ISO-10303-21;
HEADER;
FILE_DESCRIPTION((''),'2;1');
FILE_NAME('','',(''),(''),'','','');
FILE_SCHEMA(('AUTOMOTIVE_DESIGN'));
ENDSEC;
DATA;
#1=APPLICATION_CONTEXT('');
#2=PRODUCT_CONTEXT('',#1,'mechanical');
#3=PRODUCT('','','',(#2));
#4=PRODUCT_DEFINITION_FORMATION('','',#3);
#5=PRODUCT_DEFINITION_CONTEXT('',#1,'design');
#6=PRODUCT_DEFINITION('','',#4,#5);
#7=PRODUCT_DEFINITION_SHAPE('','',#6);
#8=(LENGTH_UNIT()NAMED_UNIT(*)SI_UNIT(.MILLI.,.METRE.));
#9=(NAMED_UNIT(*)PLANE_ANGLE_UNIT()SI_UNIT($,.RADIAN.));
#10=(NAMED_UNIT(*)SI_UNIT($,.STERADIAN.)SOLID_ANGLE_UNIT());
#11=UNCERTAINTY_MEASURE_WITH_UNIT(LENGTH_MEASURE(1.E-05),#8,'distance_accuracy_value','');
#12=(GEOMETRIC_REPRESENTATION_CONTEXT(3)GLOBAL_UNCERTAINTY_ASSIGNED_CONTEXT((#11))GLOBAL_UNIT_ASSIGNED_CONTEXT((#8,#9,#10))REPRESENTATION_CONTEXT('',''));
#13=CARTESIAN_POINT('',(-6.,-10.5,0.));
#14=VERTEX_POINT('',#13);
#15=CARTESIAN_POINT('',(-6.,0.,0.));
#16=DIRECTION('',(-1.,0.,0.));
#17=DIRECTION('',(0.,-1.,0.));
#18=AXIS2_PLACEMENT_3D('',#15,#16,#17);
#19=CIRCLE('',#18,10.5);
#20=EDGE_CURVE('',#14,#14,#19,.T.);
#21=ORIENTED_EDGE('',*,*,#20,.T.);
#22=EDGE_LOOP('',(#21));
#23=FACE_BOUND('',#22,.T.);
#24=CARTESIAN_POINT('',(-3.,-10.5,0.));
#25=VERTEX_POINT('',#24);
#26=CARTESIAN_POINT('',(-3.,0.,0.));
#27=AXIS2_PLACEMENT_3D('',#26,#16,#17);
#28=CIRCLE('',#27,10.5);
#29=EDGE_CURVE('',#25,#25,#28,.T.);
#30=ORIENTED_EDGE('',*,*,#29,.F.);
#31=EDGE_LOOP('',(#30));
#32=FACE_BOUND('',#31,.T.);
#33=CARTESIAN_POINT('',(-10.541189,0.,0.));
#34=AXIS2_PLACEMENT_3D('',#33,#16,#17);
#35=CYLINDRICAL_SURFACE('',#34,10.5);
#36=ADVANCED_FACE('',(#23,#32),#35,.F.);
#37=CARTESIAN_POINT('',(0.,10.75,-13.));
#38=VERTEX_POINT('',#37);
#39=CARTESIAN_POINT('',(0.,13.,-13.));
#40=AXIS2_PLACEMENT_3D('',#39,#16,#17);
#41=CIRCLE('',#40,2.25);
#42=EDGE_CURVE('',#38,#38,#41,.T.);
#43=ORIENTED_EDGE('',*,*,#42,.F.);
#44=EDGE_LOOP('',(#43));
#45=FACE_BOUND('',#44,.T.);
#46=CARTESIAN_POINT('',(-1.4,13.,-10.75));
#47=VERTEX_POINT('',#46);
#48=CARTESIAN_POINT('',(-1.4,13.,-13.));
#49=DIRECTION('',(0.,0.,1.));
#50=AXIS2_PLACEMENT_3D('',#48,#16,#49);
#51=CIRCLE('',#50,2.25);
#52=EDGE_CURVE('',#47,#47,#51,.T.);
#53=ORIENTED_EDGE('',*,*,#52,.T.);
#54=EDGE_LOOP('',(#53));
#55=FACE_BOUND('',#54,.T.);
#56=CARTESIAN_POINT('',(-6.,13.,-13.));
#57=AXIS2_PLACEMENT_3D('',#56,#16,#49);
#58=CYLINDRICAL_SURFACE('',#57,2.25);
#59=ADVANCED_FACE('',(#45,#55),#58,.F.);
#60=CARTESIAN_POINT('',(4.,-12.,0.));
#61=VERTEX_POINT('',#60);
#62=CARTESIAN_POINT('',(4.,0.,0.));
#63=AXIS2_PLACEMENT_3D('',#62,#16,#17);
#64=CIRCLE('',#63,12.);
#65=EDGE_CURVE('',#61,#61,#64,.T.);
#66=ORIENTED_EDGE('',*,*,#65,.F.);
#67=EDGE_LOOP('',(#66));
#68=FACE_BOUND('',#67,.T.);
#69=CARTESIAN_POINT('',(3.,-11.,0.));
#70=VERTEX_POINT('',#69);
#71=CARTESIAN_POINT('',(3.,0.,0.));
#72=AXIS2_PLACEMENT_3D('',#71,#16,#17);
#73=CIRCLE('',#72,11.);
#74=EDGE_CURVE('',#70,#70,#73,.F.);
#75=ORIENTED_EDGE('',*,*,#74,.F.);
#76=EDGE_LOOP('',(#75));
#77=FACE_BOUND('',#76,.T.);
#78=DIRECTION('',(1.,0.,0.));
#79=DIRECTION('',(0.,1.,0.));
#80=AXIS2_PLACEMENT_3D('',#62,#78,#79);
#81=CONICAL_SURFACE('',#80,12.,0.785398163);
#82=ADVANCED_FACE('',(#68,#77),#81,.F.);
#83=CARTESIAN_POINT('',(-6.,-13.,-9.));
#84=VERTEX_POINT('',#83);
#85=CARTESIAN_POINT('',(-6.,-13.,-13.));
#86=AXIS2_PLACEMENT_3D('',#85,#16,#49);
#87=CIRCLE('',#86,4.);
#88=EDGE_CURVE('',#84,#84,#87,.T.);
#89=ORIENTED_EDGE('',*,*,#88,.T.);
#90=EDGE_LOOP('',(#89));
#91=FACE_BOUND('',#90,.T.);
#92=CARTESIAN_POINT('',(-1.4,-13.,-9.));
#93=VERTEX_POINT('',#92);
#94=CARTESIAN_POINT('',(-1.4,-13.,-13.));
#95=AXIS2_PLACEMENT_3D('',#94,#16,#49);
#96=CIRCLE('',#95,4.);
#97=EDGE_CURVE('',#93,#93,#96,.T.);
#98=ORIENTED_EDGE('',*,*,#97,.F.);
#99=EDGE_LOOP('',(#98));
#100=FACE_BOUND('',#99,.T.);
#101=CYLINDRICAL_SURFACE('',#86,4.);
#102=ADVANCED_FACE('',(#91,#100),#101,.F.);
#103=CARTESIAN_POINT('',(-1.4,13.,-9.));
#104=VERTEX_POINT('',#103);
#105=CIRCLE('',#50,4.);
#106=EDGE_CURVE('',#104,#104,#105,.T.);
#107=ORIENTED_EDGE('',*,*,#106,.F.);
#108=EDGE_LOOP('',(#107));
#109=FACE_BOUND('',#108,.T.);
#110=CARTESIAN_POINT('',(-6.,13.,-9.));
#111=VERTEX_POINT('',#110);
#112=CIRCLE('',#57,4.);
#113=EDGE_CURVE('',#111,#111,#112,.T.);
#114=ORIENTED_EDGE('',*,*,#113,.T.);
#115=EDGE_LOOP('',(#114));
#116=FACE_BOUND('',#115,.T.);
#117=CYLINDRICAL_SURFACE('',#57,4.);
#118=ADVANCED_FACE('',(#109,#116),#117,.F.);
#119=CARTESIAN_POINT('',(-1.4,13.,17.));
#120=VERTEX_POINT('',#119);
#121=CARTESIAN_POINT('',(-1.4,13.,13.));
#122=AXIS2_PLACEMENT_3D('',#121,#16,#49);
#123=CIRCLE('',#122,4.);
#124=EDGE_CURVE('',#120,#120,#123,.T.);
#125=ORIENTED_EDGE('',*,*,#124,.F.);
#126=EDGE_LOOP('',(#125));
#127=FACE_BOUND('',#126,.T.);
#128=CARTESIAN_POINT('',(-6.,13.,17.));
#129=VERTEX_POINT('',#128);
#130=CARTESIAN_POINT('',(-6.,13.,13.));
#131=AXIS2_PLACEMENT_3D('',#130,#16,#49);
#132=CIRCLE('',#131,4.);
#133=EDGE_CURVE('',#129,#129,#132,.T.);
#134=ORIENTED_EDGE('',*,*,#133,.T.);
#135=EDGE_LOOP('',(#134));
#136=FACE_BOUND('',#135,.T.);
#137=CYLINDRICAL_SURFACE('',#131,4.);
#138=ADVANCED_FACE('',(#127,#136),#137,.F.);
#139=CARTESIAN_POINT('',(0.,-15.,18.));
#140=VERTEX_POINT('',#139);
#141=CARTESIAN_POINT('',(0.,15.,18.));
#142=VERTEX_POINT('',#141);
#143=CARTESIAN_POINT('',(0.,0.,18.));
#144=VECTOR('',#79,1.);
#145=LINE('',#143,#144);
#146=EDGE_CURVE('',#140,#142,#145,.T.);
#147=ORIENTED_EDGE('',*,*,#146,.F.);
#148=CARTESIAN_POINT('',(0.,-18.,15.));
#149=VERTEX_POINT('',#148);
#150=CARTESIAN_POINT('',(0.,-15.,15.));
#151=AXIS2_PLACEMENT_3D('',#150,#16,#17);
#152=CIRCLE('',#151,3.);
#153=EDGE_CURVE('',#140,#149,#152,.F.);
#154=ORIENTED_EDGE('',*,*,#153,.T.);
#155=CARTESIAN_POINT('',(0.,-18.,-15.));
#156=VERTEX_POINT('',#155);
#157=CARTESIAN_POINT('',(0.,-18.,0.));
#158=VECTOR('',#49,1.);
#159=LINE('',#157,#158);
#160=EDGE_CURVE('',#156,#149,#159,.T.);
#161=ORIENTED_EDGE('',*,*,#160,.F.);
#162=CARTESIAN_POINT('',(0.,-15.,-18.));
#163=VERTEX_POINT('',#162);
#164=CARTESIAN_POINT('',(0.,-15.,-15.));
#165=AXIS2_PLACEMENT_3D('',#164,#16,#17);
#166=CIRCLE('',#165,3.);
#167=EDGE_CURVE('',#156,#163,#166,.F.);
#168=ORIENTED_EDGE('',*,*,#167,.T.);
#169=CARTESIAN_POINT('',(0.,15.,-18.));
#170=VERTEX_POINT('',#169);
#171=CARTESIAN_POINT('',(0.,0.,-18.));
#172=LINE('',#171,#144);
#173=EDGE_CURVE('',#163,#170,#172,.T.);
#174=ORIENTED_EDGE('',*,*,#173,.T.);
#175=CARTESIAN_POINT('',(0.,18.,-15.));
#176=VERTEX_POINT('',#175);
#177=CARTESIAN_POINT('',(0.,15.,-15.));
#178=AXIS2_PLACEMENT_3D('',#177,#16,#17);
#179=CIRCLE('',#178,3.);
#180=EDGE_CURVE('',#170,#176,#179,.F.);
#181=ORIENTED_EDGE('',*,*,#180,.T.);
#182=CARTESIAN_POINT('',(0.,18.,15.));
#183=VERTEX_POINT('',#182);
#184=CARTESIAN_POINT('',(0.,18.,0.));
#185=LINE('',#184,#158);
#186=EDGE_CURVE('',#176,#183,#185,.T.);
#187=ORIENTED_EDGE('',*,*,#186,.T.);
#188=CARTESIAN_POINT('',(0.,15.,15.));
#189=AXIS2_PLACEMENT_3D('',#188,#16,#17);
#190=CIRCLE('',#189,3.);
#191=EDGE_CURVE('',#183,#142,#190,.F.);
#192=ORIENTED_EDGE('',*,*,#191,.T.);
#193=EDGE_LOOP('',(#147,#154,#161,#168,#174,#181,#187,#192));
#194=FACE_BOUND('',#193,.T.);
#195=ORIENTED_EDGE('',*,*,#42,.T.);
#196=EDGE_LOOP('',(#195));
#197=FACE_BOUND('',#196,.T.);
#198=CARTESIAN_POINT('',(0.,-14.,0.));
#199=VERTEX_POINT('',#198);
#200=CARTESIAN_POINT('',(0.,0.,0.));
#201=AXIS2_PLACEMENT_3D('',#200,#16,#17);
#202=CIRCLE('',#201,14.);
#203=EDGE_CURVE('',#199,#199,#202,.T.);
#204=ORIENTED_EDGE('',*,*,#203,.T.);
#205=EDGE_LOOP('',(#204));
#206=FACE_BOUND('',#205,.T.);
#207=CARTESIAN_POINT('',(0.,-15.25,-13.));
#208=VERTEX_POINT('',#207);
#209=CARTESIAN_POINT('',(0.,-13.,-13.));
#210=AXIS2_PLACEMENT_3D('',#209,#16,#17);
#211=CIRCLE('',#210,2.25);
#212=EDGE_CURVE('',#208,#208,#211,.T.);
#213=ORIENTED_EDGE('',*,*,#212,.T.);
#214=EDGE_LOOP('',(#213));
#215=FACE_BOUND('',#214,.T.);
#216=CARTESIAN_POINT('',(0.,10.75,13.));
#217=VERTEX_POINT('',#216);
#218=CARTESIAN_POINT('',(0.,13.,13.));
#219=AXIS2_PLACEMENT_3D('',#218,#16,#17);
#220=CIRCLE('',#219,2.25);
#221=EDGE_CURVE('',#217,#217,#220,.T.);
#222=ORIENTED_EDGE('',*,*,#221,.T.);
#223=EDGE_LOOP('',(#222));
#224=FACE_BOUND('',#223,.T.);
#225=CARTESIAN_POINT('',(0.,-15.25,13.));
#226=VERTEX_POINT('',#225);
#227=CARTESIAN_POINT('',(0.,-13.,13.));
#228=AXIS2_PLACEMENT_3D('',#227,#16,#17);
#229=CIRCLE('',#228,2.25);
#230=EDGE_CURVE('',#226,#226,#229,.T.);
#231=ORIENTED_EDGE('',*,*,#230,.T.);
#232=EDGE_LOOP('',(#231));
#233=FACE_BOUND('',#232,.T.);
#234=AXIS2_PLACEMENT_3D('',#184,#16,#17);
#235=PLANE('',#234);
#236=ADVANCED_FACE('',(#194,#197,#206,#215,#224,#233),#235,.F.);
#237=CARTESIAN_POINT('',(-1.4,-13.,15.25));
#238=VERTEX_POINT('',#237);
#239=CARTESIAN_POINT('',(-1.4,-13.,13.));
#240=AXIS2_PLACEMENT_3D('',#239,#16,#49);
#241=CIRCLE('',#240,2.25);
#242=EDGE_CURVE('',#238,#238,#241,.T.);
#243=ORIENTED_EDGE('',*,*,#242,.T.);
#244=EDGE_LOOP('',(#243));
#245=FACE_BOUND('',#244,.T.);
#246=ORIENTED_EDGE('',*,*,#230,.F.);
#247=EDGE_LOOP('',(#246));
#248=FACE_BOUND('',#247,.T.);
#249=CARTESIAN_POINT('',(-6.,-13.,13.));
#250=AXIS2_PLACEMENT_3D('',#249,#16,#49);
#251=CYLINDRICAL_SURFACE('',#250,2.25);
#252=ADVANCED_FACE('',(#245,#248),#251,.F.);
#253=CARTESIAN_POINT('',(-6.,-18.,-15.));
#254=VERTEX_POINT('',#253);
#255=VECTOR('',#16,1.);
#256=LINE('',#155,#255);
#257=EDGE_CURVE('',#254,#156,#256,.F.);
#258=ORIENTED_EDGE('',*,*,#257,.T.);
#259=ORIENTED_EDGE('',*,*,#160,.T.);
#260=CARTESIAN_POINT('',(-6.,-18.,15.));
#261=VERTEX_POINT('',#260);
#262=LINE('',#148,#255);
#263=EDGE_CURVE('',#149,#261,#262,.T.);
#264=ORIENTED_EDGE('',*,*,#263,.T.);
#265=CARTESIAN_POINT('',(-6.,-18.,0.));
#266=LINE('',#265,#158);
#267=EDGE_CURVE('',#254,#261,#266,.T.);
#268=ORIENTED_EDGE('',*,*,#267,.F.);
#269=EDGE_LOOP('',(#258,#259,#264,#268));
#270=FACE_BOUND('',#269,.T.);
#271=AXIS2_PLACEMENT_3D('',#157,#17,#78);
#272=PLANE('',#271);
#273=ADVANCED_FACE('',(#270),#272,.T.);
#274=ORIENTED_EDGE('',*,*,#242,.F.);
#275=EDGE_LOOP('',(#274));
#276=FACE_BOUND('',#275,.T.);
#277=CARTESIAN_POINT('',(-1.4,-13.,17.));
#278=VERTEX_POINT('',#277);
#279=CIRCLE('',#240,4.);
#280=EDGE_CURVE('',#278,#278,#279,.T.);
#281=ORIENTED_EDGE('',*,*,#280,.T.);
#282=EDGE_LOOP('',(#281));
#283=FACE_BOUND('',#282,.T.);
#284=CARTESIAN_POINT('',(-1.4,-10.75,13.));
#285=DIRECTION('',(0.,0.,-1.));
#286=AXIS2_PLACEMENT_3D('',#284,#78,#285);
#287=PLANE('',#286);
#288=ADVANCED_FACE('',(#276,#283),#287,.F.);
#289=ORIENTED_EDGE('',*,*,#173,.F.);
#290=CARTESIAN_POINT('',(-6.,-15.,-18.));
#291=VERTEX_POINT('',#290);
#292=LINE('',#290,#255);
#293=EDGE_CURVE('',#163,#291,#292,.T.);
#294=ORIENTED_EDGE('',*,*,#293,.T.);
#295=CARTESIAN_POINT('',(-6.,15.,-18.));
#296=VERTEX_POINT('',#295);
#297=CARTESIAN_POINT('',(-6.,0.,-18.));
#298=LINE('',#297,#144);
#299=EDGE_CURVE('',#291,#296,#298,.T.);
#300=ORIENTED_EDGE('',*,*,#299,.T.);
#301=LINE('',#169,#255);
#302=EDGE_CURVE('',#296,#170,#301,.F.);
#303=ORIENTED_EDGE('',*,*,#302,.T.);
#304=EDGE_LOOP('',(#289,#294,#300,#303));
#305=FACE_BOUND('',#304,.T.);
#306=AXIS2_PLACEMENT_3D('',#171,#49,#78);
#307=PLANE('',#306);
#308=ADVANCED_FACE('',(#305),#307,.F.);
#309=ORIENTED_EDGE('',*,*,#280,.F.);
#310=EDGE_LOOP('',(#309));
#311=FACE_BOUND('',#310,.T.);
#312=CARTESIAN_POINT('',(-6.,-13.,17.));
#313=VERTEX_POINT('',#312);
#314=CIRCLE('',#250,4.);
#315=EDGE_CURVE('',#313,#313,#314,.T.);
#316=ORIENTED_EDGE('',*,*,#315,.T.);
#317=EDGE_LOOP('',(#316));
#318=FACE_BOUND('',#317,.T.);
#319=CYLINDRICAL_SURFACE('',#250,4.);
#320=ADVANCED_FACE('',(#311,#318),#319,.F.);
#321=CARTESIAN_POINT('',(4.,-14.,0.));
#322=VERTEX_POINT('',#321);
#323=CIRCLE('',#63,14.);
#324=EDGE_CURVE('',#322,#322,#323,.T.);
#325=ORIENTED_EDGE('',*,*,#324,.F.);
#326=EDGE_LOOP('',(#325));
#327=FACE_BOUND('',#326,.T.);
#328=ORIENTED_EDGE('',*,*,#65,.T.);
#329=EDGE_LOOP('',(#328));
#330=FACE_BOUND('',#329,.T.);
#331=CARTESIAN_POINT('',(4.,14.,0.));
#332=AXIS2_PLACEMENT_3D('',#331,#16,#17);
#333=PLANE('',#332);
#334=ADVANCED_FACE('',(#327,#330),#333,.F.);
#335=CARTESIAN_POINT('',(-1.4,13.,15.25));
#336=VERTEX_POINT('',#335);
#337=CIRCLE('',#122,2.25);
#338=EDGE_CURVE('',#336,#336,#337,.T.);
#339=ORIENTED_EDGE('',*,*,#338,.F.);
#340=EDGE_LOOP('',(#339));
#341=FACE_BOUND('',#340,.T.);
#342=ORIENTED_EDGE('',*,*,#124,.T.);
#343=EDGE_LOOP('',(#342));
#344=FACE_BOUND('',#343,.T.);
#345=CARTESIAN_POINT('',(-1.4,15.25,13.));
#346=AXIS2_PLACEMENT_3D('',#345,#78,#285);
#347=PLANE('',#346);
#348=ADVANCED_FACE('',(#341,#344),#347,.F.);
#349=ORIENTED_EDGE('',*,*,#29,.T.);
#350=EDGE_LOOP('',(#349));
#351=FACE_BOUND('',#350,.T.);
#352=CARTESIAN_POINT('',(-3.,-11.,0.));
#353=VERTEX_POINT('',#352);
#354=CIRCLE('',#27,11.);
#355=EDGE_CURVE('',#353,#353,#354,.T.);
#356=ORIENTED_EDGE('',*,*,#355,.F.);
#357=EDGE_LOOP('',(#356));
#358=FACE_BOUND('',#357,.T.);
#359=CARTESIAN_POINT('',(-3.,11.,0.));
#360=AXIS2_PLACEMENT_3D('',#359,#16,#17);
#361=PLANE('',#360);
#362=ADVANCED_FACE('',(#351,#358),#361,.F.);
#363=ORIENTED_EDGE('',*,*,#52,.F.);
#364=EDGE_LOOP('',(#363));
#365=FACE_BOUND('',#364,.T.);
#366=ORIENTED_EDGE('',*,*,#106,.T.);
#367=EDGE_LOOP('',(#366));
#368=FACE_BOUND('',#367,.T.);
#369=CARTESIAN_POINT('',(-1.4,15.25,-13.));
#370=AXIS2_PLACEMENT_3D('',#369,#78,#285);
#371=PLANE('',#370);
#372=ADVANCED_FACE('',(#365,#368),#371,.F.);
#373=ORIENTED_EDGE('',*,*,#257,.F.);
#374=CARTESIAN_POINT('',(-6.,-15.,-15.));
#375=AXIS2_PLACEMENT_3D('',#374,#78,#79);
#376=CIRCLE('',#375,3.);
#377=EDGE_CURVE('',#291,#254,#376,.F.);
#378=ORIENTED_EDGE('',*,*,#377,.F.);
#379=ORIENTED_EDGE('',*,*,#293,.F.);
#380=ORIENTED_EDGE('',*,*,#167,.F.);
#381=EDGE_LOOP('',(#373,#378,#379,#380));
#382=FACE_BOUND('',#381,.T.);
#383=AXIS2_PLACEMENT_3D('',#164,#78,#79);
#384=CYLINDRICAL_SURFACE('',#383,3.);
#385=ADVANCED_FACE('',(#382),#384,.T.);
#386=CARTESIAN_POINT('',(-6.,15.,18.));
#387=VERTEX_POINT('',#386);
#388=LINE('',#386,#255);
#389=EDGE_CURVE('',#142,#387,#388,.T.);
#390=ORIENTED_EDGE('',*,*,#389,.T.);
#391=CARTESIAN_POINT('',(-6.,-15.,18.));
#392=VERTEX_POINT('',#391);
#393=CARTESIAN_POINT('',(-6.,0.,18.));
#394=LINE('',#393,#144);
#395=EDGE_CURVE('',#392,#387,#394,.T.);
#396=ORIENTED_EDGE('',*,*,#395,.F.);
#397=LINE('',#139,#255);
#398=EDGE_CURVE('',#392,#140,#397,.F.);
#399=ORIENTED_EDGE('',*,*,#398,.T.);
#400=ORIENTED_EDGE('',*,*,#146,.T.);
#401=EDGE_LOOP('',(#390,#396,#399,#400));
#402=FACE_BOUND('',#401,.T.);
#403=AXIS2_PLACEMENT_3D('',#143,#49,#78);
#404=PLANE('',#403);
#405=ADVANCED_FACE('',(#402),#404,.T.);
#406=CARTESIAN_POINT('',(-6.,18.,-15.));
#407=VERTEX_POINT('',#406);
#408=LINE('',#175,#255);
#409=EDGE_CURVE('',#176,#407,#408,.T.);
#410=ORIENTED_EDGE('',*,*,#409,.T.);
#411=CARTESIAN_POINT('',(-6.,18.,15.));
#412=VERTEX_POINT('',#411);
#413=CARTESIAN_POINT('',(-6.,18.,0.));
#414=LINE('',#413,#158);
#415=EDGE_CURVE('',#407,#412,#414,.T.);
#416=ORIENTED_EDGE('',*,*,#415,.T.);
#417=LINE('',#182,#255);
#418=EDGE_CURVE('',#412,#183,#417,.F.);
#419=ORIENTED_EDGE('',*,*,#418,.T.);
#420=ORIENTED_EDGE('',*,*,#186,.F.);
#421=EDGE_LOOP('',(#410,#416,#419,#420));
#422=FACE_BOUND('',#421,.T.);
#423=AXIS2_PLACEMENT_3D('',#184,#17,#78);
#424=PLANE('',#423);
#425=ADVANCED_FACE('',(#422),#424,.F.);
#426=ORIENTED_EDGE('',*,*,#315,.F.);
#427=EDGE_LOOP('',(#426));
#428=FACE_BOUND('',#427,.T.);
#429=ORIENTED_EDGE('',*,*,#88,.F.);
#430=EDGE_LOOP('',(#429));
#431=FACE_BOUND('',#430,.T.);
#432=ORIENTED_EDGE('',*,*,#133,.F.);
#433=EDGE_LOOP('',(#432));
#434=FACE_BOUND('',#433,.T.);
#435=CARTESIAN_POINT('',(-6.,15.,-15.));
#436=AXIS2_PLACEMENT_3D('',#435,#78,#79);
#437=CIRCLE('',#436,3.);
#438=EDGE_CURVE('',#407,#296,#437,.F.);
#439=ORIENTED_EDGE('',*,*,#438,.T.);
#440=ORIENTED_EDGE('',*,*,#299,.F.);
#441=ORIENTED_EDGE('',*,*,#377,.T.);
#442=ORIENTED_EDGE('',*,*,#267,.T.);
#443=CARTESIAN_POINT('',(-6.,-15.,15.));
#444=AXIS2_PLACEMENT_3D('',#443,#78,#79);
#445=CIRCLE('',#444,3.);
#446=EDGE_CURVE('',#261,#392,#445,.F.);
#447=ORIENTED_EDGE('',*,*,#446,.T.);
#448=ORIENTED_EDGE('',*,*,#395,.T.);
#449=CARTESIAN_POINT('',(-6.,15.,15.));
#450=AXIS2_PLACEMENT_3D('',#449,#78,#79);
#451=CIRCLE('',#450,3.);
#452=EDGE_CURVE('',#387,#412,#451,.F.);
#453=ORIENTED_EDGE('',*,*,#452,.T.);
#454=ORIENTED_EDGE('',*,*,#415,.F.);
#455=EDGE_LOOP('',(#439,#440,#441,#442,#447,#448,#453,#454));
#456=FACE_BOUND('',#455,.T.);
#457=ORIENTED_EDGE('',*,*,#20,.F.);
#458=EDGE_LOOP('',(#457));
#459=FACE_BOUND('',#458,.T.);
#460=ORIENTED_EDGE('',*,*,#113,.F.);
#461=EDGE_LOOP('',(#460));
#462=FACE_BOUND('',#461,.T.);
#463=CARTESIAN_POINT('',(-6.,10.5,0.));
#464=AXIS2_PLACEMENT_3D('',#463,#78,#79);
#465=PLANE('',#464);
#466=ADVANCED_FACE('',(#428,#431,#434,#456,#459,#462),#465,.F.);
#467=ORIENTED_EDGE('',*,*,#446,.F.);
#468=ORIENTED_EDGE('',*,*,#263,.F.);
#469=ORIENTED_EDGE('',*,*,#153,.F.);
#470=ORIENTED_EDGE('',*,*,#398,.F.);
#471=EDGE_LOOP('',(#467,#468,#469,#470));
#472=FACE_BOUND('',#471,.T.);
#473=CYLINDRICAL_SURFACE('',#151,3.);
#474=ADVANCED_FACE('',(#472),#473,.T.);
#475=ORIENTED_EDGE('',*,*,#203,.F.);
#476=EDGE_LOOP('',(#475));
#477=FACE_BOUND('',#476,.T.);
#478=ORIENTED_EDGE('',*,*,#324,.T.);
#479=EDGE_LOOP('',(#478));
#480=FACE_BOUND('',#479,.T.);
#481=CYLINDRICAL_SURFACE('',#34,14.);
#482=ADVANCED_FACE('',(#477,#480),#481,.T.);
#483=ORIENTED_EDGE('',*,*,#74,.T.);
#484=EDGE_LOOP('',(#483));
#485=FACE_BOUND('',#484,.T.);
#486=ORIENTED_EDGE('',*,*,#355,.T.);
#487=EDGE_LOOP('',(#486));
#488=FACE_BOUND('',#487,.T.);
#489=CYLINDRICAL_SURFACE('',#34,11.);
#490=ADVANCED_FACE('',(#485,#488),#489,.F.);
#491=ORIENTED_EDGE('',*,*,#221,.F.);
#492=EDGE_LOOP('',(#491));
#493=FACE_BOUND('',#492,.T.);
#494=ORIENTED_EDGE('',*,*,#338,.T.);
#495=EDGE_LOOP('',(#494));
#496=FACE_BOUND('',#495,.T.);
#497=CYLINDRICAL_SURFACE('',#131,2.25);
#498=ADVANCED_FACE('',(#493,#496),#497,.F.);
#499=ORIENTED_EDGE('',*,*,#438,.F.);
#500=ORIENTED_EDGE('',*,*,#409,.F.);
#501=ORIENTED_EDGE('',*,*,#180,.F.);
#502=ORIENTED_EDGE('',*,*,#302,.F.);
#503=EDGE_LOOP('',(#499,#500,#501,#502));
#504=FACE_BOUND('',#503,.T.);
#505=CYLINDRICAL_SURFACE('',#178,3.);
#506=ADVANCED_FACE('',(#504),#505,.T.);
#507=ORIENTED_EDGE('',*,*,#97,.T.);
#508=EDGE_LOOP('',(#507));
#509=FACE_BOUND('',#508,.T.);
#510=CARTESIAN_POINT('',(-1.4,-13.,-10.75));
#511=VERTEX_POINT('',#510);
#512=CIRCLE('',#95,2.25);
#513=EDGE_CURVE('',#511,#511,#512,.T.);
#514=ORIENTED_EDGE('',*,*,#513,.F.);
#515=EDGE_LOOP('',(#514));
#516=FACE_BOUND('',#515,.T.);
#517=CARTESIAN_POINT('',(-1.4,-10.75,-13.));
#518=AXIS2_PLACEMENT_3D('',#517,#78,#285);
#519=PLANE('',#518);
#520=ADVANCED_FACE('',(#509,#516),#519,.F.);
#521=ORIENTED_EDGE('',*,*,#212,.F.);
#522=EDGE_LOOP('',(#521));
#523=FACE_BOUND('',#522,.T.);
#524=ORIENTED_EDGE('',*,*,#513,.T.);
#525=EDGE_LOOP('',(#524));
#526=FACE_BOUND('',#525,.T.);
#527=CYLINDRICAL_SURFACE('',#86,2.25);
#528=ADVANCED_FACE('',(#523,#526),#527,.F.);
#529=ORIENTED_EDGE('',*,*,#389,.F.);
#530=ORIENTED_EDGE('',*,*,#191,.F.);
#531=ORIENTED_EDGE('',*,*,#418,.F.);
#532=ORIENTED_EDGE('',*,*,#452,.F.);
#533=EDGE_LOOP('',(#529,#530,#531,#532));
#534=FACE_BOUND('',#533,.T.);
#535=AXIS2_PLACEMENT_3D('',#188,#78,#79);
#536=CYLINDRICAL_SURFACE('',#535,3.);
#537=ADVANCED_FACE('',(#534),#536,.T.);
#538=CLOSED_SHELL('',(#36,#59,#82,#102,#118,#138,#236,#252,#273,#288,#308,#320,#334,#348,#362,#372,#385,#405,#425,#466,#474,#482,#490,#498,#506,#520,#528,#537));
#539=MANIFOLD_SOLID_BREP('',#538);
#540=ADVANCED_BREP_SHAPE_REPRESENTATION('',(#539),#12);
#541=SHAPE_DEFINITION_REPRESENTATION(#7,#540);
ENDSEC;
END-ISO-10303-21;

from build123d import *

# Parameters (mm, degrees)
EXTRUDE_1_DEPTH           = 6
FILLET_1_R                = 3
HOLE_WIZARD_2_D           = 4.5
HOLE_WIZARD_2_CBORE_D     = 8
HOLE_WIZARD_2_CBORE_DEPTH = 4.6
CHAMFER_1_SIZE            = 1


with BuildPart() as part:
    # 草图1 → 旋转1 (revolve)
    with BuildSketch(Plane.XY):
        Polygon((-6, 10.5), (-6, 18), (0, 18), (0, 14), (4, 14), (4, 11), (-3, 11), (-3, 10.5), align=None)
    revolve(axis=Axis((-10.541189269, 0, 0), (1, 0, 0)))

    # 草图5 → 凸台-拉伸1 (add)
    with BuildSketch(Plane.ZY.offset(6)):
        with BuildLine():
            ThreePointArc((-2.6e-08, 18), (12.727922052, 12.72792207), (18, 0))
            Line((18, 0), (18, 18))
            Line((18, 18), (-2.6e-08, 18))
        make_face()
        with BuildLine():
            Line((-18, 18), (-18, 3.1e-08))
            ThreePointArc((-18, 3.1e-08), (-12.72792206, 12.727922063), (-2.6e-08, 18))
            Line((-2.6e-08, 18), (-18, 18))
        make_face()
        with BuildLine():
            Line((-18, 3.1e-08), (-18, -18))
            Line((-18, -18), (0, -18))
            ThreePointArc((0, -18), (-12.727922072, -12.727922051), (-18, 3.1e-08))
        make_face()
        with BuildLine():
            ThreePointArc((18, 0), (12.727922061, -12.727922061), (0, -18))
            Line((0, -18), (18, -18))
            Line((18, -18), (18, 0))
        make_face()
    extrude(amount=-EXTRUDE_1_DEPTH)

    # 圆角1
    fillet_1_edges = [part.edges().sort_by_distance(p)[0] for p in [
        (-3, 18, 18),
        (-3, 18, -18),
        (-3, -18, -18),
        (-3, -18, 18),
    ]]
    fillet(fillet_1_edges, radius=FILLET_1_R)

    # 打孔尺寸(%根据)内六角圆柱头螺钉的类型2 (through all)
    with Locations(Plane.ZY.offset(6)):
        with Locations((-13, 13), (13, 13), (13, -13), (-13, -13)):
            CounterBoreHole(HOLE_WIZARD_2_D / 2, HOLE_WIZARD_2_CBORE_D / 2, HOLE_WIZARD_2_CBORE_DEPTH)

    # 倒角1
    chamfer_1_edges = [part.edges().sort_by_distance(p)[0] for p in [
        (4, -11, 0),
    ]]
    chamfer(chamfer_1_edges, length=CHAMFER_1_SIZE)


solid = part.part
